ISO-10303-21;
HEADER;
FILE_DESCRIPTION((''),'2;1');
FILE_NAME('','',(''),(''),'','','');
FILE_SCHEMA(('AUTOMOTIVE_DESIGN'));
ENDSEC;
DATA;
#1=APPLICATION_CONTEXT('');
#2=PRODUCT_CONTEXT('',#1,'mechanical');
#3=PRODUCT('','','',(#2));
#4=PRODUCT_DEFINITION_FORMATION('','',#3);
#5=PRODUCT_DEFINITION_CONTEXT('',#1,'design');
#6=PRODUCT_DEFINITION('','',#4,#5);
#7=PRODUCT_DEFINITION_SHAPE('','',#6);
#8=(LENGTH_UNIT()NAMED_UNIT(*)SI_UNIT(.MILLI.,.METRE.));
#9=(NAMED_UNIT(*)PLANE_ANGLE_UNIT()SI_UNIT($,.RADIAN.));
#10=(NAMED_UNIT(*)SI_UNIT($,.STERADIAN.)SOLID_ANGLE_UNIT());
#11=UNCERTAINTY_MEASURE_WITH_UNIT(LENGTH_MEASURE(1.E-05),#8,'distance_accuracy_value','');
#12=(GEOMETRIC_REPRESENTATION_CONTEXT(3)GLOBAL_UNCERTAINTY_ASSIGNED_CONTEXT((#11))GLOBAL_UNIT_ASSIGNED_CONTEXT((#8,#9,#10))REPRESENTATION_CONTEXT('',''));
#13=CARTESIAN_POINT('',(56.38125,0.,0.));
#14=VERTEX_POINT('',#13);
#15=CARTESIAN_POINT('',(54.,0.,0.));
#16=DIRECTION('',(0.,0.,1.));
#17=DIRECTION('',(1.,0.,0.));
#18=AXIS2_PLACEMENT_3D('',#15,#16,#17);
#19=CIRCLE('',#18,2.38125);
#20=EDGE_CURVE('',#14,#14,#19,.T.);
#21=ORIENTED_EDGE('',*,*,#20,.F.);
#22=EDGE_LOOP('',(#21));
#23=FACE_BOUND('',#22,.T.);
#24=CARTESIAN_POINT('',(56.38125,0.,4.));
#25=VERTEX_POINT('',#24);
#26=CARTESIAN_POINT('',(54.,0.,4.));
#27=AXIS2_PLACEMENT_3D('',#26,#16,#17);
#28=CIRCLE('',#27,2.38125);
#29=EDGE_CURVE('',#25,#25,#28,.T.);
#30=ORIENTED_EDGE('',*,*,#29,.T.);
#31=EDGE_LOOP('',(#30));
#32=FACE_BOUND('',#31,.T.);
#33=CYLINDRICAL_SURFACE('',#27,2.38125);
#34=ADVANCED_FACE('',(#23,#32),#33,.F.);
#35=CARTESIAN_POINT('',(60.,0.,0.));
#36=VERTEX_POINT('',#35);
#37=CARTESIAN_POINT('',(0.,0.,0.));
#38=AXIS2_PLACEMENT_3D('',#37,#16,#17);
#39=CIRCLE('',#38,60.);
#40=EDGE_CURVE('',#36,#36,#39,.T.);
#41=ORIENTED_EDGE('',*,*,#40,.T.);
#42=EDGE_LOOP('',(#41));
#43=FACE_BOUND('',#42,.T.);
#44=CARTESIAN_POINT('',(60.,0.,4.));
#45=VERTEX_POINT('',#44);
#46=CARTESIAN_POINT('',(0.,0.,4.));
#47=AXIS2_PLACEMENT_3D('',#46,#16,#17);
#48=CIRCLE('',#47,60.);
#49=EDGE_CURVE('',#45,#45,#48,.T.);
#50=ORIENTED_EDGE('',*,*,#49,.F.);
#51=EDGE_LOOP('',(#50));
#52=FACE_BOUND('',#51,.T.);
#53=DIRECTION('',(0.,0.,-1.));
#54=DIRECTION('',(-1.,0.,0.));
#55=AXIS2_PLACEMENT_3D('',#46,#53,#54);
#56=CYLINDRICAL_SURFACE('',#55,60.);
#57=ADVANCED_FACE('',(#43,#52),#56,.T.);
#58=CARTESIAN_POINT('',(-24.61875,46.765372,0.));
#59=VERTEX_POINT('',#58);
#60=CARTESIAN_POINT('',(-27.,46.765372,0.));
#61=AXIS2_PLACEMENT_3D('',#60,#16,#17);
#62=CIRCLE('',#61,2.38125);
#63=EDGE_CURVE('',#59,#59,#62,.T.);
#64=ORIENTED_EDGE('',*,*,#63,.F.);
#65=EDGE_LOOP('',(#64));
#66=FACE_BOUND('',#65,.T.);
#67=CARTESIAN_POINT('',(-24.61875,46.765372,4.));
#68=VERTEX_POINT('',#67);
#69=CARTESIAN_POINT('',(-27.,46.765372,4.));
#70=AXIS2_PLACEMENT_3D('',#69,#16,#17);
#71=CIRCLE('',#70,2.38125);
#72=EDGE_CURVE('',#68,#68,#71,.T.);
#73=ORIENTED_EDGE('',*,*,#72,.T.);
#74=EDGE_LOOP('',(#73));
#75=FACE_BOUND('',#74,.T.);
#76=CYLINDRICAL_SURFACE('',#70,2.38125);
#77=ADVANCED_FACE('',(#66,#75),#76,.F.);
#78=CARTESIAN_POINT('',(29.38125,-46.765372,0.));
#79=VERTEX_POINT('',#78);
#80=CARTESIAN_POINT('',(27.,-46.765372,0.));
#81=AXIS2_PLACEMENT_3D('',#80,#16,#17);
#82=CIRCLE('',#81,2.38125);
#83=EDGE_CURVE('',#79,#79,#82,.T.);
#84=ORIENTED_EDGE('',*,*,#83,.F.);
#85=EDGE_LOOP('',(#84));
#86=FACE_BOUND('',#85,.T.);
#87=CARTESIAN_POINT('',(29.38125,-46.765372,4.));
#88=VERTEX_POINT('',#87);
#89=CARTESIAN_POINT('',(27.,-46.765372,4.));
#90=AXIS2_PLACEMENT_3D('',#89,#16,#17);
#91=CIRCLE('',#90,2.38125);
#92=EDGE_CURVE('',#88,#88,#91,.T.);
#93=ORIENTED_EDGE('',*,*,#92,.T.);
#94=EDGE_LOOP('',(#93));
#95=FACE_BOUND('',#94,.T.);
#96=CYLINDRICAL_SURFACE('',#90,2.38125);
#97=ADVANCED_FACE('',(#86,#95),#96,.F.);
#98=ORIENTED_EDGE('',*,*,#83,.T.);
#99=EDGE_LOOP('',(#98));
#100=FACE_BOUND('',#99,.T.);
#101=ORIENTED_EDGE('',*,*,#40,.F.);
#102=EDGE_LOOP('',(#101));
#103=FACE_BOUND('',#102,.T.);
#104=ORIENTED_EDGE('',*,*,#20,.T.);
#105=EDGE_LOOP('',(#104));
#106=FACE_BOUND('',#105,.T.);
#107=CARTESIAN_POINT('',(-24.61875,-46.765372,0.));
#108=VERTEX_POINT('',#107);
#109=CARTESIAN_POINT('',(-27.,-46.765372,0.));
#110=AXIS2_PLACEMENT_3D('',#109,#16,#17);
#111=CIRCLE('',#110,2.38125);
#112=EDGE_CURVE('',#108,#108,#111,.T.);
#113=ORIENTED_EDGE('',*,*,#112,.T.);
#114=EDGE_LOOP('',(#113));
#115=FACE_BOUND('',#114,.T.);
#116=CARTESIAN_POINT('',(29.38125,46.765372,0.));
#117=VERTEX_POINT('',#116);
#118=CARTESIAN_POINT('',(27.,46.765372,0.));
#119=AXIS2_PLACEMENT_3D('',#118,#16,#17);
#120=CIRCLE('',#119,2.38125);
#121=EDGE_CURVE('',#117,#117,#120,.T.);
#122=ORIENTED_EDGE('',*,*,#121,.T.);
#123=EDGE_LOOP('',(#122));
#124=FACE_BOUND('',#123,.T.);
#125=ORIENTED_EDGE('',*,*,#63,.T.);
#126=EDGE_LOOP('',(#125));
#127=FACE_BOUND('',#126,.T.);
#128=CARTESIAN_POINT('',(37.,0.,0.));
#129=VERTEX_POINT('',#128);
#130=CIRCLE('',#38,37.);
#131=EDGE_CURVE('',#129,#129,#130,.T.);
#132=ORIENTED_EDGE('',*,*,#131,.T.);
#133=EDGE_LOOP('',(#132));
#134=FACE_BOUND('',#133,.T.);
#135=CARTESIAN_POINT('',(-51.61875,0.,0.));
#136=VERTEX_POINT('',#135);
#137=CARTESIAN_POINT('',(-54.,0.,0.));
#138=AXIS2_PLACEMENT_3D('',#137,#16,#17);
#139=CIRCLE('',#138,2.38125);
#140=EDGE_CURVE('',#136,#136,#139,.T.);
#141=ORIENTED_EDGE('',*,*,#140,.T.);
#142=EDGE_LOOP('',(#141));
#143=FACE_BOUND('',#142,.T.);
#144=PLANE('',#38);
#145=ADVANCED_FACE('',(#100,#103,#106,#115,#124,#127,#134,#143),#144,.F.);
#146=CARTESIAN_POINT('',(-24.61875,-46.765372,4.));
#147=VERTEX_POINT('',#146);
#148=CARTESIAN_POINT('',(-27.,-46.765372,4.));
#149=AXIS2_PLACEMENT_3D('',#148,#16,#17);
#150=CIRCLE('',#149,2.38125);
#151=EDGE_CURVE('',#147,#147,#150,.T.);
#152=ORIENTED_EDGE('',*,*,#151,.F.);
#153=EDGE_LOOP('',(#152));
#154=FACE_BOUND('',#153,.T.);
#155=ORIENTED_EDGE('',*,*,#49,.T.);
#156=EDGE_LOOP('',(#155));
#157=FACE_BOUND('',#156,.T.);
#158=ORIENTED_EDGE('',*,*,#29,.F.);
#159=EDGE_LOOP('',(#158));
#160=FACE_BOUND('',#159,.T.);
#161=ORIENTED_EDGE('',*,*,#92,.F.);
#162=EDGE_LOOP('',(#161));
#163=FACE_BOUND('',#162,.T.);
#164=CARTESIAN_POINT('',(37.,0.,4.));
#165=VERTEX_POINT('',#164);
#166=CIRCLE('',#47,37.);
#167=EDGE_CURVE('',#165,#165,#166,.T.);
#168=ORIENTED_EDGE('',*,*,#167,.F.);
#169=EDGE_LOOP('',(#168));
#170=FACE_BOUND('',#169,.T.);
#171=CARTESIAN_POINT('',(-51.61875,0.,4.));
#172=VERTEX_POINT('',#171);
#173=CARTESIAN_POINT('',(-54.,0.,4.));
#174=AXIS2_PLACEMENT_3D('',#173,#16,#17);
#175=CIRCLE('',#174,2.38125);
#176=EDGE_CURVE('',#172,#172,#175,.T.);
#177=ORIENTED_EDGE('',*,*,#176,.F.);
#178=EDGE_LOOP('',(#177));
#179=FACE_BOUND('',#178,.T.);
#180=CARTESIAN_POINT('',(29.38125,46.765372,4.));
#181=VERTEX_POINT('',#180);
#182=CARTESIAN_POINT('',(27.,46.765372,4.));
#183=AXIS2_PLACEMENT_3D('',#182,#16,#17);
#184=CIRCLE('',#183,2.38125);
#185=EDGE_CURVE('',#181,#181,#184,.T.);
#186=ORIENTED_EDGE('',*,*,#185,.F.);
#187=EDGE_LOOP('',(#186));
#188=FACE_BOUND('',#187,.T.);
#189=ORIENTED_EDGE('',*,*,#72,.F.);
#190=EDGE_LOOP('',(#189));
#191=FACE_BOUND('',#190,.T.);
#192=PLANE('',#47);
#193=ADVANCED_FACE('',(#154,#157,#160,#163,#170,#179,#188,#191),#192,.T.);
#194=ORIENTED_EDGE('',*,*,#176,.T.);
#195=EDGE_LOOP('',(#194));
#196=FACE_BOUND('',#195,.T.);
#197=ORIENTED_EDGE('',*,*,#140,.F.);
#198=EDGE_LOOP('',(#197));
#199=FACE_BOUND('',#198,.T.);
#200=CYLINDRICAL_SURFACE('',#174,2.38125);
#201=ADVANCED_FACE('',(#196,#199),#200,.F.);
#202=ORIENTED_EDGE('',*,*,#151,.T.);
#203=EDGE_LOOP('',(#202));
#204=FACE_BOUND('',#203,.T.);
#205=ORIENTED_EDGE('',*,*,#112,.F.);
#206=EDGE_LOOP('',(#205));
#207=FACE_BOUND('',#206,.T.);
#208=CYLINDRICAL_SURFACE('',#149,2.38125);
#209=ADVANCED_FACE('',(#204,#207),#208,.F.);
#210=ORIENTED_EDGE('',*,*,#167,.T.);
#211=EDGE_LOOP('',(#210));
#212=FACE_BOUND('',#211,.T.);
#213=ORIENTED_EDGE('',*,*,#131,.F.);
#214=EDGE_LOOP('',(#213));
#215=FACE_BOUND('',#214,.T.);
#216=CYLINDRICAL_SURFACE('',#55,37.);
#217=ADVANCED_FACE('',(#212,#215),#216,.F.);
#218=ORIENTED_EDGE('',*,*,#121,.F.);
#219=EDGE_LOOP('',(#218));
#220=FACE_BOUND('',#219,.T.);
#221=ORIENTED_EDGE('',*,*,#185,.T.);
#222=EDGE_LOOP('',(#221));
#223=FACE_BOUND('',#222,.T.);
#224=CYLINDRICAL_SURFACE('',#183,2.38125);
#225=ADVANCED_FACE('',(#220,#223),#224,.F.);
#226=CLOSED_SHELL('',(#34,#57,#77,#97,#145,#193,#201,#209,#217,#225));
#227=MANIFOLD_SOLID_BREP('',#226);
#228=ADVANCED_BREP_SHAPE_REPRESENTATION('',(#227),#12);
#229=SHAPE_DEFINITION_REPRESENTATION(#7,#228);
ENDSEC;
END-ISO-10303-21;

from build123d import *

# Parameters (mm, degrees)
SKETCH1_R                   = 60
SKETCH1_R_2                 = 37
BOSS_EXTRUDE1_DEPTH         = 4
F_3_16_0_1875_DOWEL_HOLE1_D = 4.7625


with BuildPart() as part:
    # Sketch1 → Boss-Extrude1 (new body)
    with BuildSketch(Plane.XY):
        Circle(SKETCH1_R)
        Circle(SKETCH1_R_2, mode=Mode.SUBTRACT)
    extrude(amount=BOSS_EXTRUDE1_DEPTH)

    # 3/16 (0.1875) Dowel Hole1 (through all)
    with Locations(Plane(origin=(-54, 0, 4), x_dir=(1, 0, 0), z_dir=(0, 0, 1))):
        with Locations((0, 0), (108, 0), (27, 46.765371804), (27, -46.765371804), (81, 46.765371804), (81, -46.765371804)):
            Hole(F_3_16_0_1875_DOWEL_HOLE1_D / 2)


solid = part.part
